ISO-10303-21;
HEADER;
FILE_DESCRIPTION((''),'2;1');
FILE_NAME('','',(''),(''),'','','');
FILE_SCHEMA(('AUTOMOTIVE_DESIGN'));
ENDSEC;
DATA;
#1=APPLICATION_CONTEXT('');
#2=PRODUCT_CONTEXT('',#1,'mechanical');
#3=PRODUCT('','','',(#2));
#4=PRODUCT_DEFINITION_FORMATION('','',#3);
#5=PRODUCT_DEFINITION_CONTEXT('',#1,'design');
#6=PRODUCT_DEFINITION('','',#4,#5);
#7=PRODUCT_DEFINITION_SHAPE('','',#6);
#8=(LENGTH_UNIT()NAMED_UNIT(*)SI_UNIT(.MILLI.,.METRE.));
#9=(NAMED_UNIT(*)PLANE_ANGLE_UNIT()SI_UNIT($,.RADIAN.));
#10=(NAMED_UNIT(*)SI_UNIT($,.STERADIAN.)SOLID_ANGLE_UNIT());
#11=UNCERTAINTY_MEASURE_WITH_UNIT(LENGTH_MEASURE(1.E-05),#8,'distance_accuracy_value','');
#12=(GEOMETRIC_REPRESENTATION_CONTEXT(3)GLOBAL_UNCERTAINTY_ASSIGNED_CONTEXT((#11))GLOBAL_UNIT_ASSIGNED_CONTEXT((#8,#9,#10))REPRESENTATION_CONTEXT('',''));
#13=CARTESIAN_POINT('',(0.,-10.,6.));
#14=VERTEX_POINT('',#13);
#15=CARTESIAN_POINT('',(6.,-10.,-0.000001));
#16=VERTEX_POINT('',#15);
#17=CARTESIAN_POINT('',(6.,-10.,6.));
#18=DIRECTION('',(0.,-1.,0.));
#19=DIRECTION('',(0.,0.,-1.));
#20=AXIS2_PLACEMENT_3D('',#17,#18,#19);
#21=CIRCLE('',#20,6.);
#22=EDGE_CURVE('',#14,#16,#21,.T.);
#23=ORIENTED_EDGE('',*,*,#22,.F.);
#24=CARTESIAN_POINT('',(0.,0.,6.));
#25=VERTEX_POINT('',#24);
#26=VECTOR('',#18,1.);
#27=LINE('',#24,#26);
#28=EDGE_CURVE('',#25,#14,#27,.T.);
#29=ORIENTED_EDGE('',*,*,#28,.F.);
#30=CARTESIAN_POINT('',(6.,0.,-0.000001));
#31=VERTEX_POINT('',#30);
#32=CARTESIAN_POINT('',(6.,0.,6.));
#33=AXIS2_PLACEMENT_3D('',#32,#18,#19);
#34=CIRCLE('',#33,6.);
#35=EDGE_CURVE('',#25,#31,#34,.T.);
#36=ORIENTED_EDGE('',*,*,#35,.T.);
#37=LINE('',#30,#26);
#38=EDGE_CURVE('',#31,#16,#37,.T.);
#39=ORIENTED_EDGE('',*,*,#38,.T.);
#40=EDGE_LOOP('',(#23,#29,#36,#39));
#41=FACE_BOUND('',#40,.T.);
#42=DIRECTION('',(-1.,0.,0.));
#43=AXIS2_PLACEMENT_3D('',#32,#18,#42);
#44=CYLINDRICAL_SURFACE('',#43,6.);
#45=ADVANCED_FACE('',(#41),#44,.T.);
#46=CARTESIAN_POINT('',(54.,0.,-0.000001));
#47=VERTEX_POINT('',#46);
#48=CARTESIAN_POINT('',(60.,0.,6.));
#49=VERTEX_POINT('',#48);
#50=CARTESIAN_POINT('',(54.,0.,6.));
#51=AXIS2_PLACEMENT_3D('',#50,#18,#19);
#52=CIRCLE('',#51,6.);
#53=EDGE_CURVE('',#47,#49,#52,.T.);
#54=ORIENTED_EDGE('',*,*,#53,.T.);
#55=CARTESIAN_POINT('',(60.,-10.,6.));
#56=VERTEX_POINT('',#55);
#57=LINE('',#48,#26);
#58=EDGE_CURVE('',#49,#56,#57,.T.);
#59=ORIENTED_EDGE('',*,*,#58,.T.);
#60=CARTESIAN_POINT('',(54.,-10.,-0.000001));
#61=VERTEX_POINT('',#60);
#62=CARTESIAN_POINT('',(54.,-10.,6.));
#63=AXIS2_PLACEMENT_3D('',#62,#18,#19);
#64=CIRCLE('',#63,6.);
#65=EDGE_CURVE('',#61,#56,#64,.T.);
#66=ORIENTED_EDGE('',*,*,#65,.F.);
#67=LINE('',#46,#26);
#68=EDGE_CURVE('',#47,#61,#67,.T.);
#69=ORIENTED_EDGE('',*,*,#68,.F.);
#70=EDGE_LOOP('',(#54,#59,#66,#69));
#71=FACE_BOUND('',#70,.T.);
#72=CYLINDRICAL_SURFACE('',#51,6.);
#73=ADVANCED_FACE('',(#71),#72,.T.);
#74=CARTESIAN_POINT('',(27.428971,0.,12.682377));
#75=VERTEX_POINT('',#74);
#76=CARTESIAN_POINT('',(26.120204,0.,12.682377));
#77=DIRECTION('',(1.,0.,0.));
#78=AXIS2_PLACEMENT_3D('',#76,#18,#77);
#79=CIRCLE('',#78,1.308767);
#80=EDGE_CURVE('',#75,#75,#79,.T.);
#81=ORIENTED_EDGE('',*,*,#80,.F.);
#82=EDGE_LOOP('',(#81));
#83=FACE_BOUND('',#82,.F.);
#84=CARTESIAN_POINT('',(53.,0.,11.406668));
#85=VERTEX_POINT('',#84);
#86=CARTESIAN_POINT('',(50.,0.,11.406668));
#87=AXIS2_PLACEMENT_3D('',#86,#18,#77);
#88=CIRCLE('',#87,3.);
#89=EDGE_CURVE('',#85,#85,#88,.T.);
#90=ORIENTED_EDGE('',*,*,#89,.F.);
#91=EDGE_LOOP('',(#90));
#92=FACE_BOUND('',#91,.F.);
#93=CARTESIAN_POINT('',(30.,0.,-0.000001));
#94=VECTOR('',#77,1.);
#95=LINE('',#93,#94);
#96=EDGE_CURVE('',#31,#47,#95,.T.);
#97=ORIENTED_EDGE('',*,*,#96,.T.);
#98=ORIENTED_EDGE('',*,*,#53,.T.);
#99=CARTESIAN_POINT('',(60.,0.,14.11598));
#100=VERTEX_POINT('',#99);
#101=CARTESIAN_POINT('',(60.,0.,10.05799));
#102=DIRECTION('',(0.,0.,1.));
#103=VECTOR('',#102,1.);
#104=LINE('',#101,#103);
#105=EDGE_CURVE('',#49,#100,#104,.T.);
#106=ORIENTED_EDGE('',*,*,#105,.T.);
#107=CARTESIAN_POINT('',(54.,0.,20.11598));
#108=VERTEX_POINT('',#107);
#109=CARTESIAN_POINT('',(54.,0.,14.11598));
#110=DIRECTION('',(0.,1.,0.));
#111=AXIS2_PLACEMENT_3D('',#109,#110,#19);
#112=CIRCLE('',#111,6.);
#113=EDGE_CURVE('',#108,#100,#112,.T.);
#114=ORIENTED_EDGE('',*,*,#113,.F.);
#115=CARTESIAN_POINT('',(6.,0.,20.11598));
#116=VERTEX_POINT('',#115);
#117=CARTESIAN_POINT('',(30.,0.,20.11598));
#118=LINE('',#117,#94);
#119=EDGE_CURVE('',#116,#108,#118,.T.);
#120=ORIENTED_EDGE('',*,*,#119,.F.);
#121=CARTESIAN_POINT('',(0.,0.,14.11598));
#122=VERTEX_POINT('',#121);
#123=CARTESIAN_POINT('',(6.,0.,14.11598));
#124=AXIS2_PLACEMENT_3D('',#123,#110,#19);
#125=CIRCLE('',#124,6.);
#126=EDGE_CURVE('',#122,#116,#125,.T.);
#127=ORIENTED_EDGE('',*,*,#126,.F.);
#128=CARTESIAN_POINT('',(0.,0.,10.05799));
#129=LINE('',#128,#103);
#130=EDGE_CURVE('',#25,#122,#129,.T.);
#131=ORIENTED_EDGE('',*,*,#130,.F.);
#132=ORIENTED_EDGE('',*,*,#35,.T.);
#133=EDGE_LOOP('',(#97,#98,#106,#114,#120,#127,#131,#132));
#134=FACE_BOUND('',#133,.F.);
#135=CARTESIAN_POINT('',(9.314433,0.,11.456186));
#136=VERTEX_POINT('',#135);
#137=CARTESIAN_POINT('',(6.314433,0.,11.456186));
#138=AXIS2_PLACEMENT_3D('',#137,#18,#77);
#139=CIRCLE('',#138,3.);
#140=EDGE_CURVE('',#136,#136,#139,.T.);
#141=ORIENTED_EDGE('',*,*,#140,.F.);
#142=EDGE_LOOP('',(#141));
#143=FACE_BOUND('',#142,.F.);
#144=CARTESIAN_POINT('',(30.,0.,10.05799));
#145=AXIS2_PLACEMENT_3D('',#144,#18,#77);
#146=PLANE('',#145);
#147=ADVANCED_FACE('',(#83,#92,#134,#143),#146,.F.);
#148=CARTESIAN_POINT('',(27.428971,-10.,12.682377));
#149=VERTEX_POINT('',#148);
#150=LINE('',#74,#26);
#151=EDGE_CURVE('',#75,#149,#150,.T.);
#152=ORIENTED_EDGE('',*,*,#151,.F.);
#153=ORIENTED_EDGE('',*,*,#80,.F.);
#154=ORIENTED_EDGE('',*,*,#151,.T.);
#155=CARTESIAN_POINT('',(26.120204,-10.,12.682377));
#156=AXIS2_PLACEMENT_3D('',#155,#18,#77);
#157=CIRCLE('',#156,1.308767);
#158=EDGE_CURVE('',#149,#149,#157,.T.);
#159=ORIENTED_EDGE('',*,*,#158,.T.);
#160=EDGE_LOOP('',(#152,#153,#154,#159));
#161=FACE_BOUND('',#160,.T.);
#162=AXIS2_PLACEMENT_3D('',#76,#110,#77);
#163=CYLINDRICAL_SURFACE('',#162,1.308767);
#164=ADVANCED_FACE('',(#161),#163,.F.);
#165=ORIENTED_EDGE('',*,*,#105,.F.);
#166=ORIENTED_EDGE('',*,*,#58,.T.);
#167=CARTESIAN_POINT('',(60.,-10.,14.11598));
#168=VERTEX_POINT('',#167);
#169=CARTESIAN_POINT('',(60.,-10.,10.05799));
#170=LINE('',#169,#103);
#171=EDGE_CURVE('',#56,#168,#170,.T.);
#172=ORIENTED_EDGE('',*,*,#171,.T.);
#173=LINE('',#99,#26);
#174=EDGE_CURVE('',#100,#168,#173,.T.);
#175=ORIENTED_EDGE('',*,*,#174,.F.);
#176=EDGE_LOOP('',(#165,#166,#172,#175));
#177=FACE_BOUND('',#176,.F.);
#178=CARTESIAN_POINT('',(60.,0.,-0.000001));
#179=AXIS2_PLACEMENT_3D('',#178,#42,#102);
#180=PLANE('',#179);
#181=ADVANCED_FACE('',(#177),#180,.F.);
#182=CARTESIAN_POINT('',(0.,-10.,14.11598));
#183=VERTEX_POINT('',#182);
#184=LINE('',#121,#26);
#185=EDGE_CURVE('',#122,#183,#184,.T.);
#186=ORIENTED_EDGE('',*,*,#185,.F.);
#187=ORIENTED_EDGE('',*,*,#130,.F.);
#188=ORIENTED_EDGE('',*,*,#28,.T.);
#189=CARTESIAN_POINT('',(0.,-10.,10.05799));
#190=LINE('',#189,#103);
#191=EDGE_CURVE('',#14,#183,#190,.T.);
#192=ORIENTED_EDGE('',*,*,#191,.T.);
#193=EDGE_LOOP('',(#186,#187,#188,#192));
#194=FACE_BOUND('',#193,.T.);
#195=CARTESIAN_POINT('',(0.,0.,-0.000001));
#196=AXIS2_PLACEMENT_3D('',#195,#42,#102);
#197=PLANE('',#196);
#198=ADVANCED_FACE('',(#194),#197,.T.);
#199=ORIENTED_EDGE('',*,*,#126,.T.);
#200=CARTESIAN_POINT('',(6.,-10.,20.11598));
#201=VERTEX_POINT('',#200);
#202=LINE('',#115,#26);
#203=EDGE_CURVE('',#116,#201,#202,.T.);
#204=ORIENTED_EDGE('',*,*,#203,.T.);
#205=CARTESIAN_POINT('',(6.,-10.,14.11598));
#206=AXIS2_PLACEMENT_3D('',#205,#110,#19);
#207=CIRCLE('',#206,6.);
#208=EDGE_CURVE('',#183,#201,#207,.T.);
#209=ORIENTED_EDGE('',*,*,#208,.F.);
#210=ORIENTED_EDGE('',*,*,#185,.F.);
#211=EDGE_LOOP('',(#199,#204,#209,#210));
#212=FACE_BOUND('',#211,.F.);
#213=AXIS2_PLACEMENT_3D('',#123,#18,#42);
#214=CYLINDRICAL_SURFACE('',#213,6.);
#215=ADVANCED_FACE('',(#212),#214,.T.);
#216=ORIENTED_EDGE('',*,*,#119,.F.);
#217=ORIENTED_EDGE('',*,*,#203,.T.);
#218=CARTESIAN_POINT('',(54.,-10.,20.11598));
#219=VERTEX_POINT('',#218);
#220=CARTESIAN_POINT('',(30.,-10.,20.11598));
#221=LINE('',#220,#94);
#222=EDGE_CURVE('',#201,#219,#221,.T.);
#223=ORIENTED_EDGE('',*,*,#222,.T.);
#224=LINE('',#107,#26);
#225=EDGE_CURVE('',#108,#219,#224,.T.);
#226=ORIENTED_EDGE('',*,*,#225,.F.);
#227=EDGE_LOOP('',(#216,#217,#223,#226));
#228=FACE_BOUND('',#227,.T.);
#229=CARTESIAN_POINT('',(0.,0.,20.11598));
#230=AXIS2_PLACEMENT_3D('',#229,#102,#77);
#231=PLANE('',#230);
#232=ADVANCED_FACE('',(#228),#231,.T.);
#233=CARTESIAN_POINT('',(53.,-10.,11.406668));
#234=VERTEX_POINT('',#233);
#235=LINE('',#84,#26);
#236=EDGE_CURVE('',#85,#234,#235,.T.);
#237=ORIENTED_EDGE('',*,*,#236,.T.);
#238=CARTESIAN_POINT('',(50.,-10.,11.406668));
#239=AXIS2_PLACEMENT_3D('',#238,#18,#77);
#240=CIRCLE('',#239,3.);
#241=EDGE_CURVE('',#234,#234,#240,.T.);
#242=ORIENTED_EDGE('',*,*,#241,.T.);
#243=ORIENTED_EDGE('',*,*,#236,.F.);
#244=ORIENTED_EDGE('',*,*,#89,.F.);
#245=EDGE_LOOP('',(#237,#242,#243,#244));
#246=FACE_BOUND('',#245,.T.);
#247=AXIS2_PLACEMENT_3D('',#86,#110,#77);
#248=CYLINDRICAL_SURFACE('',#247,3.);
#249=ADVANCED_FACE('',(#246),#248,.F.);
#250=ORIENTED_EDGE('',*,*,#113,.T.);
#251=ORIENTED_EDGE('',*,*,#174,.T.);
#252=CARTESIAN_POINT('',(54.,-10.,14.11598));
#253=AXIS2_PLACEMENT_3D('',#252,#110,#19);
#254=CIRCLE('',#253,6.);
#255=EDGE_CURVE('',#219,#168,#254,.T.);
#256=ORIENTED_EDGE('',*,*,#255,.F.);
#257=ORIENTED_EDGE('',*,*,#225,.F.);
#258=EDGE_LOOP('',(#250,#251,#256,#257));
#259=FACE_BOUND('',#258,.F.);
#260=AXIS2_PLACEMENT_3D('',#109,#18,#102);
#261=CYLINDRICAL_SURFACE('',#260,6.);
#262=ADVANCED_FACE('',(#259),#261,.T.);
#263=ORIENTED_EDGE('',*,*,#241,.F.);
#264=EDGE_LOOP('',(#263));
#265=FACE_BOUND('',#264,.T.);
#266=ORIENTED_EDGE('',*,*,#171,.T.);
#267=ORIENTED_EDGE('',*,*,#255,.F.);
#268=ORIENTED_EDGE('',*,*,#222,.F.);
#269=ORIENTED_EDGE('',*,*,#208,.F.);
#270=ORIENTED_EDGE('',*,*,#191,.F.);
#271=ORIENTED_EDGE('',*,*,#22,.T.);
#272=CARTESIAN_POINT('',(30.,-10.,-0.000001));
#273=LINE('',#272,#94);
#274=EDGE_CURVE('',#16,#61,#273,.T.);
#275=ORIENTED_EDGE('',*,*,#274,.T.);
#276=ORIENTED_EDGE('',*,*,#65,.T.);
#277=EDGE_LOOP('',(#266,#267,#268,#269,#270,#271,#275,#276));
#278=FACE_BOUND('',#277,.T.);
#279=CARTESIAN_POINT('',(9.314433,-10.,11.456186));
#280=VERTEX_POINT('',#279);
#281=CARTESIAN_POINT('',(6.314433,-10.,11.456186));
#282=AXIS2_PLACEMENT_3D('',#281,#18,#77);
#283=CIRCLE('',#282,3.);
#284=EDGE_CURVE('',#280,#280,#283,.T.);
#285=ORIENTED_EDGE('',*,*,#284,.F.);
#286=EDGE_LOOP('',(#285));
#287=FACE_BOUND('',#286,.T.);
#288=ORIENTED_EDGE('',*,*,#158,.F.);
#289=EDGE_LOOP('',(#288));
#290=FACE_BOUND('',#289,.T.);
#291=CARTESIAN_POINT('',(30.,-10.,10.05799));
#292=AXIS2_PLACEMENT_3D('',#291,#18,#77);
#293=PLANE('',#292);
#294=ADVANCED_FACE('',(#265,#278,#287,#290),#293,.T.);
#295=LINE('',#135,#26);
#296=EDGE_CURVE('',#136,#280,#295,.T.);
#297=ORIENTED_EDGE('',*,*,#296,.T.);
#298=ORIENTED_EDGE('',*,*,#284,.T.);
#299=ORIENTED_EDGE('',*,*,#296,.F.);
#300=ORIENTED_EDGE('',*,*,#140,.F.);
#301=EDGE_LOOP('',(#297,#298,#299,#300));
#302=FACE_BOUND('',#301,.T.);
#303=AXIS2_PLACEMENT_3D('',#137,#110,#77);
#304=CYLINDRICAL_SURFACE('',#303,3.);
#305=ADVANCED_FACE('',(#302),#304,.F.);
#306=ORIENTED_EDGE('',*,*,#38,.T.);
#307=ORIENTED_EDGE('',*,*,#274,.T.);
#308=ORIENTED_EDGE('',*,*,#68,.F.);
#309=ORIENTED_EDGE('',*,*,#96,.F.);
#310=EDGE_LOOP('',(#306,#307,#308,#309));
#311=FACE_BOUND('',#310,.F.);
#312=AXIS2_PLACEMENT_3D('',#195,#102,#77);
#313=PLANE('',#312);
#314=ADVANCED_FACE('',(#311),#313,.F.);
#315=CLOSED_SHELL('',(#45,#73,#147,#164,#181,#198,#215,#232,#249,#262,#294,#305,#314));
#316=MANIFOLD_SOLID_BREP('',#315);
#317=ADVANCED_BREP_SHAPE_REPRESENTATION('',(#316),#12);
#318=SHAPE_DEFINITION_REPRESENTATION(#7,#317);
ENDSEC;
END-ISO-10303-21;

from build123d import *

# Parameters (mm, degrees)
F0_W     = 60
F0_H     = 20.115981
F0_R     = 3
F0_R_2   = 1.308767
F1_DEPTH = 10
F3_R     = 6


with BuildPart() as f1:
    # F0 (on Front) → F1 (new body)
    with BuildSketch(Plane.XZ):
        with Locations((30, 10.05799)):
            Rectangle(F0_W, F0_H)
        with Locations((6.314433, 11.456186)):
            Circle(F0_R, mode=Mode.SUBTRACT)
        with Locations((26.120204, 12.682377)):
            Circle(F0_R_2, mode=Mode.SUBTRACT)
        with Locations((50, 11.406668)):
            Circle(F0_R, mode=Mode.SUBTRACT)
    extrude(amount=F1_DEPTH)

    # F3
    f3_edges = [f1.edges().sort_by_distance(p)[0] for p in [
        (0, -5, 0),
        (0, -5, 20.115981),
        (60, -5, 0),
        (60, -5, 20.115981),
    ]]
    fillet(f3_edges, radius=F3_R)


solid = f1.part
